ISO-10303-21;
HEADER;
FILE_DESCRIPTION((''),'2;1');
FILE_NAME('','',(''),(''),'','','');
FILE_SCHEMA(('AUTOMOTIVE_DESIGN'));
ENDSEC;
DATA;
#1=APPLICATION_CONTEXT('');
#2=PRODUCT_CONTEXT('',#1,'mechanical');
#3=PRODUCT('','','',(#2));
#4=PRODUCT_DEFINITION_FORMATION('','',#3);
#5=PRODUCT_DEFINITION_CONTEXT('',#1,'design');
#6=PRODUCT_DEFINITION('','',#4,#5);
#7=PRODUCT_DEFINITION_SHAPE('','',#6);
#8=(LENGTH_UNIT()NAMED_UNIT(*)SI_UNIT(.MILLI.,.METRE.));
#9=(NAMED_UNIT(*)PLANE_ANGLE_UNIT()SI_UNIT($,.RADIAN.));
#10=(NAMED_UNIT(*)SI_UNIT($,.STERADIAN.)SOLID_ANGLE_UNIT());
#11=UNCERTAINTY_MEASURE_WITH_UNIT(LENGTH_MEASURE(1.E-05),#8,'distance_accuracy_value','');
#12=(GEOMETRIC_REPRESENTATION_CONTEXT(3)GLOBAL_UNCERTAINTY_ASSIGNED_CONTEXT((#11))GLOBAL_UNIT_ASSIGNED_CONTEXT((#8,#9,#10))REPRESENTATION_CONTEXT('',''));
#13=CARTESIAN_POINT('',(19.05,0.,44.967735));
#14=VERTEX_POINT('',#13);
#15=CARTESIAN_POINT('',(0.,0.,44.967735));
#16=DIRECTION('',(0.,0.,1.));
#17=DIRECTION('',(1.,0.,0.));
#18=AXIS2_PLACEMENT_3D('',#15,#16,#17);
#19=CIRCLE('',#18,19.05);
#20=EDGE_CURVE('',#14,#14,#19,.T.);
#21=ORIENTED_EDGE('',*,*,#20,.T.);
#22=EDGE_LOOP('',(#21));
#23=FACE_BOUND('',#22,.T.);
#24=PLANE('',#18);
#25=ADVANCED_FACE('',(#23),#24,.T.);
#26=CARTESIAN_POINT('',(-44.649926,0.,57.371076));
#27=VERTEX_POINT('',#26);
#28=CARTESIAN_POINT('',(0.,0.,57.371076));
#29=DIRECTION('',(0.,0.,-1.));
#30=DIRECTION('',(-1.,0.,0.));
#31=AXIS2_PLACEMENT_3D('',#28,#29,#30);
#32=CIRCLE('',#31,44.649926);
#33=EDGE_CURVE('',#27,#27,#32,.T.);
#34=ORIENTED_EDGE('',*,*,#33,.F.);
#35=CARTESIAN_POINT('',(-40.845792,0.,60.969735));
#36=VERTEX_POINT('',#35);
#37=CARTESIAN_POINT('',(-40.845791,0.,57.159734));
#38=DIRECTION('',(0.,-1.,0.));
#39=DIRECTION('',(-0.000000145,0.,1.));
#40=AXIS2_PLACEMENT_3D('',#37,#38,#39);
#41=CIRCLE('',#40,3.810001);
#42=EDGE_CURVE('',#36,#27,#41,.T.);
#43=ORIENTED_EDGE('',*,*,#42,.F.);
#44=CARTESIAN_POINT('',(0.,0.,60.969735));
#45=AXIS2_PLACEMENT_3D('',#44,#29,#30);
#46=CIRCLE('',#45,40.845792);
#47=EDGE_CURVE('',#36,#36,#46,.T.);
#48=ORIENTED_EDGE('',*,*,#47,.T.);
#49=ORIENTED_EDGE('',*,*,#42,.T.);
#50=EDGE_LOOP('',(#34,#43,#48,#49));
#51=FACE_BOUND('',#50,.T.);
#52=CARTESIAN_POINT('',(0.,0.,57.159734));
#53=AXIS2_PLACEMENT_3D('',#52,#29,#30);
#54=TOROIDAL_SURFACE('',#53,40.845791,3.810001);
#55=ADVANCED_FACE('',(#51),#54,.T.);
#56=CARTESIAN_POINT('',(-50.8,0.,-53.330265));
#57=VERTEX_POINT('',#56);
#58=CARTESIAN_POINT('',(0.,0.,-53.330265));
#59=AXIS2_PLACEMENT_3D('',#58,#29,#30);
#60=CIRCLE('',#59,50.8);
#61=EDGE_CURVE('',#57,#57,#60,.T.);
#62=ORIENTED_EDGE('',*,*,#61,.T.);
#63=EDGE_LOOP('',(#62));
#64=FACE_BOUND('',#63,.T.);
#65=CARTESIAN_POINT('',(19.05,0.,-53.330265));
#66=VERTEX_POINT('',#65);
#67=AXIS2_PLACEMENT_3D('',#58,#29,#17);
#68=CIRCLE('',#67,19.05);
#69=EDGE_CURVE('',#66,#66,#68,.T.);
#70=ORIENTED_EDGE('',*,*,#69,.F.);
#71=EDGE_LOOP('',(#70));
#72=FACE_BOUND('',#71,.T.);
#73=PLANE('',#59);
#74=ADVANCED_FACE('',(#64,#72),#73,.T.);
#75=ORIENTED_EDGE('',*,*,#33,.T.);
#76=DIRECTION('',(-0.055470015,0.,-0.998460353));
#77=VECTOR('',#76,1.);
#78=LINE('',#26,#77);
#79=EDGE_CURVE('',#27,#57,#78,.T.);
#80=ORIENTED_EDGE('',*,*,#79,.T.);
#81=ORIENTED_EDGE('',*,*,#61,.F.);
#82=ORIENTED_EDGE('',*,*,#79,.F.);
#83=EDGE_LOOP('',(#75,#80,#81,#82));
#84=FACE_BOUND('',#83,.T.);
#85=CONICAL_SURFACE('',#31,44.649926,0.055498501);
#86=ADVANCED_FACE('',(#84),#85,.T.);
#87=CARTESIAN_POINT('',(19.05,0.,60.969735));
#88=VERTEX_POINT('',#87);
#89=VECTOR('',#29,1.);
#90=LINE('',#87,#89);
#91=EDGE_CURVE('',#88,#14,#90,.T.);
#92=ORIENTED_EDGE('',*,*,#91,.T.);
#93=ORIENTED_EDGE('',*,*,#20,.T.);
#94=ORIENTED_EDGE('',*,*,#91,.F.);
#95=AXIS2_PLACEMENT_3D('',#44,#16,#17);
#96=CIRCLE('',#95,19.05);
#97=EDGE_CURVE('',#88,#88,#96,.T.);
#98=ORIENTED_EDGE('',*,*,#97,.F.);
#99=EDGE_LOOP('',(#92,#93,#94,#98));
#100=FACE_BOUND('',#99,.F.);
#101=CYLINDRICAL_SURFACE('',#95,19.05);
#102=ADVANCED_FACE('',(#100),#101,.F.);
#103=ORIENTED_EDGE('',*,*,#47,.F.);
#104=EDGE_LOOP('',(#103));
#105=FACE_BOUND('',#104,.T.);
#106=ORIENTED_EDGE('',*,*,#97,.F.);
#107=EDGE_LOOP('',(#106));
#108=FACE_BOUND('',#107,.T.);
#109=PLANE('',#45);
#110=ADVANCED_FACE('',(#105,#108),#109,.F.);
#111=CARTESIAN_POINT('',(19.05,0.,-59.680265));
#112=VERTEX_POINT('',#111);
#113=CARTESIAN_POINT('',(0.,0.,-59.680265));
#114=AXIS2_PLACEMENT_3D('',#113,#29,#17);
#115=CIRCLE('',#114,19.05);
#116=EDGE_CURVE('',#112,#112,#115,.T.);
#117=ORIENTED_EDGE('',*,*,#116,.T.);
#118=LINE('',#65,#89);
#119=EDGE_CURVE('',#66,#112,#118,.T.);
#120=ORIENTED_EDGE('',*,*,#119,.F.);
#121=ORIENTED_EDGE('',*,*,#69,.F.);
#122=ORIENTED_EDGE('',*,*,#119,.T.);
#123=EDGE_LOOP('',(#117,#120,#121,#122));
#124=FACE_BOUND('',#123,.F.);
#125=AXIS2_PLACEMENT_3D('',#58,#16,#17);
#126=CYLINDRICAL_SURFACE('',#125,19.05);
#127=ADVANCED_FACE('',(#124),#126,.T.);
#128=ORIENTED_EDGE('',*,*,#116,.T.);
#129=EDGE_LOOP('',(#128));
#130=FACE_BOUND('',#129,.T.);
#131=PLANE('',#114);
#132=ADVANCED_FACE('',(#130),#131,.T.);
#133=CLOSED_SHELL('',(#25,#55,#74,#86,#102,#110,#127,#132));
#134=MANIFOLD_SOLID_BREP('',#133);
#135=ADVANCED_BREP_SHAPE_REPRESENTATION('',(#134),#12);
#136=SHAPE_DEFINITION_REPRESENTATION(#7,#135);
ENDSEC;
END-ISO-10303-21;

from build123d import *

# Parameters (mm, degrees)
F2_R     = 19.05
F3_DEPTH = 6.35
F4_R     = 19.05
F5_DEPTH = 16.002


with BuildPart() as f1:
    # F0 (on Front) → F1 (revolve)
    with BuildSketch(Plane.XZ):
        with BuildLine():
            Line((0, -53.330265), (0, 60.969735))
            Line((0, 60.969735), (-40.845792, 60.969735))
            ThreePointArc((-40.845792, 60.969735), (-43.464082, 59.927524), (-44.649926, 57.371076))
            Line((-44.649926, 57.371076), (-50.8, -53.330265))
            Line((-50.8, -53.330265), (0, -53.330265))
        make_face()
    revolve(axis=Axis((0, 0, 3.819735), (0, 0, -1)))

    # F2 (on face) → F3 (join)
    with BuildSketch(Plane(origin=(0, 0, -53.330265), x_dir=(1, 0, 0), z_dir=(0, 0, -1))):
        Circle(F2_R)
    extrude(amount=F3_DEPTH)

    # F4 (on face) → F5 (cut)
    with BuildSketch(Plane.XY.offset(60.969735)):
        Circle(F4_R)
    extrude(amount=-F5_DEPTH, mode=Mode.SUBTRACT)


solid = f1.part
